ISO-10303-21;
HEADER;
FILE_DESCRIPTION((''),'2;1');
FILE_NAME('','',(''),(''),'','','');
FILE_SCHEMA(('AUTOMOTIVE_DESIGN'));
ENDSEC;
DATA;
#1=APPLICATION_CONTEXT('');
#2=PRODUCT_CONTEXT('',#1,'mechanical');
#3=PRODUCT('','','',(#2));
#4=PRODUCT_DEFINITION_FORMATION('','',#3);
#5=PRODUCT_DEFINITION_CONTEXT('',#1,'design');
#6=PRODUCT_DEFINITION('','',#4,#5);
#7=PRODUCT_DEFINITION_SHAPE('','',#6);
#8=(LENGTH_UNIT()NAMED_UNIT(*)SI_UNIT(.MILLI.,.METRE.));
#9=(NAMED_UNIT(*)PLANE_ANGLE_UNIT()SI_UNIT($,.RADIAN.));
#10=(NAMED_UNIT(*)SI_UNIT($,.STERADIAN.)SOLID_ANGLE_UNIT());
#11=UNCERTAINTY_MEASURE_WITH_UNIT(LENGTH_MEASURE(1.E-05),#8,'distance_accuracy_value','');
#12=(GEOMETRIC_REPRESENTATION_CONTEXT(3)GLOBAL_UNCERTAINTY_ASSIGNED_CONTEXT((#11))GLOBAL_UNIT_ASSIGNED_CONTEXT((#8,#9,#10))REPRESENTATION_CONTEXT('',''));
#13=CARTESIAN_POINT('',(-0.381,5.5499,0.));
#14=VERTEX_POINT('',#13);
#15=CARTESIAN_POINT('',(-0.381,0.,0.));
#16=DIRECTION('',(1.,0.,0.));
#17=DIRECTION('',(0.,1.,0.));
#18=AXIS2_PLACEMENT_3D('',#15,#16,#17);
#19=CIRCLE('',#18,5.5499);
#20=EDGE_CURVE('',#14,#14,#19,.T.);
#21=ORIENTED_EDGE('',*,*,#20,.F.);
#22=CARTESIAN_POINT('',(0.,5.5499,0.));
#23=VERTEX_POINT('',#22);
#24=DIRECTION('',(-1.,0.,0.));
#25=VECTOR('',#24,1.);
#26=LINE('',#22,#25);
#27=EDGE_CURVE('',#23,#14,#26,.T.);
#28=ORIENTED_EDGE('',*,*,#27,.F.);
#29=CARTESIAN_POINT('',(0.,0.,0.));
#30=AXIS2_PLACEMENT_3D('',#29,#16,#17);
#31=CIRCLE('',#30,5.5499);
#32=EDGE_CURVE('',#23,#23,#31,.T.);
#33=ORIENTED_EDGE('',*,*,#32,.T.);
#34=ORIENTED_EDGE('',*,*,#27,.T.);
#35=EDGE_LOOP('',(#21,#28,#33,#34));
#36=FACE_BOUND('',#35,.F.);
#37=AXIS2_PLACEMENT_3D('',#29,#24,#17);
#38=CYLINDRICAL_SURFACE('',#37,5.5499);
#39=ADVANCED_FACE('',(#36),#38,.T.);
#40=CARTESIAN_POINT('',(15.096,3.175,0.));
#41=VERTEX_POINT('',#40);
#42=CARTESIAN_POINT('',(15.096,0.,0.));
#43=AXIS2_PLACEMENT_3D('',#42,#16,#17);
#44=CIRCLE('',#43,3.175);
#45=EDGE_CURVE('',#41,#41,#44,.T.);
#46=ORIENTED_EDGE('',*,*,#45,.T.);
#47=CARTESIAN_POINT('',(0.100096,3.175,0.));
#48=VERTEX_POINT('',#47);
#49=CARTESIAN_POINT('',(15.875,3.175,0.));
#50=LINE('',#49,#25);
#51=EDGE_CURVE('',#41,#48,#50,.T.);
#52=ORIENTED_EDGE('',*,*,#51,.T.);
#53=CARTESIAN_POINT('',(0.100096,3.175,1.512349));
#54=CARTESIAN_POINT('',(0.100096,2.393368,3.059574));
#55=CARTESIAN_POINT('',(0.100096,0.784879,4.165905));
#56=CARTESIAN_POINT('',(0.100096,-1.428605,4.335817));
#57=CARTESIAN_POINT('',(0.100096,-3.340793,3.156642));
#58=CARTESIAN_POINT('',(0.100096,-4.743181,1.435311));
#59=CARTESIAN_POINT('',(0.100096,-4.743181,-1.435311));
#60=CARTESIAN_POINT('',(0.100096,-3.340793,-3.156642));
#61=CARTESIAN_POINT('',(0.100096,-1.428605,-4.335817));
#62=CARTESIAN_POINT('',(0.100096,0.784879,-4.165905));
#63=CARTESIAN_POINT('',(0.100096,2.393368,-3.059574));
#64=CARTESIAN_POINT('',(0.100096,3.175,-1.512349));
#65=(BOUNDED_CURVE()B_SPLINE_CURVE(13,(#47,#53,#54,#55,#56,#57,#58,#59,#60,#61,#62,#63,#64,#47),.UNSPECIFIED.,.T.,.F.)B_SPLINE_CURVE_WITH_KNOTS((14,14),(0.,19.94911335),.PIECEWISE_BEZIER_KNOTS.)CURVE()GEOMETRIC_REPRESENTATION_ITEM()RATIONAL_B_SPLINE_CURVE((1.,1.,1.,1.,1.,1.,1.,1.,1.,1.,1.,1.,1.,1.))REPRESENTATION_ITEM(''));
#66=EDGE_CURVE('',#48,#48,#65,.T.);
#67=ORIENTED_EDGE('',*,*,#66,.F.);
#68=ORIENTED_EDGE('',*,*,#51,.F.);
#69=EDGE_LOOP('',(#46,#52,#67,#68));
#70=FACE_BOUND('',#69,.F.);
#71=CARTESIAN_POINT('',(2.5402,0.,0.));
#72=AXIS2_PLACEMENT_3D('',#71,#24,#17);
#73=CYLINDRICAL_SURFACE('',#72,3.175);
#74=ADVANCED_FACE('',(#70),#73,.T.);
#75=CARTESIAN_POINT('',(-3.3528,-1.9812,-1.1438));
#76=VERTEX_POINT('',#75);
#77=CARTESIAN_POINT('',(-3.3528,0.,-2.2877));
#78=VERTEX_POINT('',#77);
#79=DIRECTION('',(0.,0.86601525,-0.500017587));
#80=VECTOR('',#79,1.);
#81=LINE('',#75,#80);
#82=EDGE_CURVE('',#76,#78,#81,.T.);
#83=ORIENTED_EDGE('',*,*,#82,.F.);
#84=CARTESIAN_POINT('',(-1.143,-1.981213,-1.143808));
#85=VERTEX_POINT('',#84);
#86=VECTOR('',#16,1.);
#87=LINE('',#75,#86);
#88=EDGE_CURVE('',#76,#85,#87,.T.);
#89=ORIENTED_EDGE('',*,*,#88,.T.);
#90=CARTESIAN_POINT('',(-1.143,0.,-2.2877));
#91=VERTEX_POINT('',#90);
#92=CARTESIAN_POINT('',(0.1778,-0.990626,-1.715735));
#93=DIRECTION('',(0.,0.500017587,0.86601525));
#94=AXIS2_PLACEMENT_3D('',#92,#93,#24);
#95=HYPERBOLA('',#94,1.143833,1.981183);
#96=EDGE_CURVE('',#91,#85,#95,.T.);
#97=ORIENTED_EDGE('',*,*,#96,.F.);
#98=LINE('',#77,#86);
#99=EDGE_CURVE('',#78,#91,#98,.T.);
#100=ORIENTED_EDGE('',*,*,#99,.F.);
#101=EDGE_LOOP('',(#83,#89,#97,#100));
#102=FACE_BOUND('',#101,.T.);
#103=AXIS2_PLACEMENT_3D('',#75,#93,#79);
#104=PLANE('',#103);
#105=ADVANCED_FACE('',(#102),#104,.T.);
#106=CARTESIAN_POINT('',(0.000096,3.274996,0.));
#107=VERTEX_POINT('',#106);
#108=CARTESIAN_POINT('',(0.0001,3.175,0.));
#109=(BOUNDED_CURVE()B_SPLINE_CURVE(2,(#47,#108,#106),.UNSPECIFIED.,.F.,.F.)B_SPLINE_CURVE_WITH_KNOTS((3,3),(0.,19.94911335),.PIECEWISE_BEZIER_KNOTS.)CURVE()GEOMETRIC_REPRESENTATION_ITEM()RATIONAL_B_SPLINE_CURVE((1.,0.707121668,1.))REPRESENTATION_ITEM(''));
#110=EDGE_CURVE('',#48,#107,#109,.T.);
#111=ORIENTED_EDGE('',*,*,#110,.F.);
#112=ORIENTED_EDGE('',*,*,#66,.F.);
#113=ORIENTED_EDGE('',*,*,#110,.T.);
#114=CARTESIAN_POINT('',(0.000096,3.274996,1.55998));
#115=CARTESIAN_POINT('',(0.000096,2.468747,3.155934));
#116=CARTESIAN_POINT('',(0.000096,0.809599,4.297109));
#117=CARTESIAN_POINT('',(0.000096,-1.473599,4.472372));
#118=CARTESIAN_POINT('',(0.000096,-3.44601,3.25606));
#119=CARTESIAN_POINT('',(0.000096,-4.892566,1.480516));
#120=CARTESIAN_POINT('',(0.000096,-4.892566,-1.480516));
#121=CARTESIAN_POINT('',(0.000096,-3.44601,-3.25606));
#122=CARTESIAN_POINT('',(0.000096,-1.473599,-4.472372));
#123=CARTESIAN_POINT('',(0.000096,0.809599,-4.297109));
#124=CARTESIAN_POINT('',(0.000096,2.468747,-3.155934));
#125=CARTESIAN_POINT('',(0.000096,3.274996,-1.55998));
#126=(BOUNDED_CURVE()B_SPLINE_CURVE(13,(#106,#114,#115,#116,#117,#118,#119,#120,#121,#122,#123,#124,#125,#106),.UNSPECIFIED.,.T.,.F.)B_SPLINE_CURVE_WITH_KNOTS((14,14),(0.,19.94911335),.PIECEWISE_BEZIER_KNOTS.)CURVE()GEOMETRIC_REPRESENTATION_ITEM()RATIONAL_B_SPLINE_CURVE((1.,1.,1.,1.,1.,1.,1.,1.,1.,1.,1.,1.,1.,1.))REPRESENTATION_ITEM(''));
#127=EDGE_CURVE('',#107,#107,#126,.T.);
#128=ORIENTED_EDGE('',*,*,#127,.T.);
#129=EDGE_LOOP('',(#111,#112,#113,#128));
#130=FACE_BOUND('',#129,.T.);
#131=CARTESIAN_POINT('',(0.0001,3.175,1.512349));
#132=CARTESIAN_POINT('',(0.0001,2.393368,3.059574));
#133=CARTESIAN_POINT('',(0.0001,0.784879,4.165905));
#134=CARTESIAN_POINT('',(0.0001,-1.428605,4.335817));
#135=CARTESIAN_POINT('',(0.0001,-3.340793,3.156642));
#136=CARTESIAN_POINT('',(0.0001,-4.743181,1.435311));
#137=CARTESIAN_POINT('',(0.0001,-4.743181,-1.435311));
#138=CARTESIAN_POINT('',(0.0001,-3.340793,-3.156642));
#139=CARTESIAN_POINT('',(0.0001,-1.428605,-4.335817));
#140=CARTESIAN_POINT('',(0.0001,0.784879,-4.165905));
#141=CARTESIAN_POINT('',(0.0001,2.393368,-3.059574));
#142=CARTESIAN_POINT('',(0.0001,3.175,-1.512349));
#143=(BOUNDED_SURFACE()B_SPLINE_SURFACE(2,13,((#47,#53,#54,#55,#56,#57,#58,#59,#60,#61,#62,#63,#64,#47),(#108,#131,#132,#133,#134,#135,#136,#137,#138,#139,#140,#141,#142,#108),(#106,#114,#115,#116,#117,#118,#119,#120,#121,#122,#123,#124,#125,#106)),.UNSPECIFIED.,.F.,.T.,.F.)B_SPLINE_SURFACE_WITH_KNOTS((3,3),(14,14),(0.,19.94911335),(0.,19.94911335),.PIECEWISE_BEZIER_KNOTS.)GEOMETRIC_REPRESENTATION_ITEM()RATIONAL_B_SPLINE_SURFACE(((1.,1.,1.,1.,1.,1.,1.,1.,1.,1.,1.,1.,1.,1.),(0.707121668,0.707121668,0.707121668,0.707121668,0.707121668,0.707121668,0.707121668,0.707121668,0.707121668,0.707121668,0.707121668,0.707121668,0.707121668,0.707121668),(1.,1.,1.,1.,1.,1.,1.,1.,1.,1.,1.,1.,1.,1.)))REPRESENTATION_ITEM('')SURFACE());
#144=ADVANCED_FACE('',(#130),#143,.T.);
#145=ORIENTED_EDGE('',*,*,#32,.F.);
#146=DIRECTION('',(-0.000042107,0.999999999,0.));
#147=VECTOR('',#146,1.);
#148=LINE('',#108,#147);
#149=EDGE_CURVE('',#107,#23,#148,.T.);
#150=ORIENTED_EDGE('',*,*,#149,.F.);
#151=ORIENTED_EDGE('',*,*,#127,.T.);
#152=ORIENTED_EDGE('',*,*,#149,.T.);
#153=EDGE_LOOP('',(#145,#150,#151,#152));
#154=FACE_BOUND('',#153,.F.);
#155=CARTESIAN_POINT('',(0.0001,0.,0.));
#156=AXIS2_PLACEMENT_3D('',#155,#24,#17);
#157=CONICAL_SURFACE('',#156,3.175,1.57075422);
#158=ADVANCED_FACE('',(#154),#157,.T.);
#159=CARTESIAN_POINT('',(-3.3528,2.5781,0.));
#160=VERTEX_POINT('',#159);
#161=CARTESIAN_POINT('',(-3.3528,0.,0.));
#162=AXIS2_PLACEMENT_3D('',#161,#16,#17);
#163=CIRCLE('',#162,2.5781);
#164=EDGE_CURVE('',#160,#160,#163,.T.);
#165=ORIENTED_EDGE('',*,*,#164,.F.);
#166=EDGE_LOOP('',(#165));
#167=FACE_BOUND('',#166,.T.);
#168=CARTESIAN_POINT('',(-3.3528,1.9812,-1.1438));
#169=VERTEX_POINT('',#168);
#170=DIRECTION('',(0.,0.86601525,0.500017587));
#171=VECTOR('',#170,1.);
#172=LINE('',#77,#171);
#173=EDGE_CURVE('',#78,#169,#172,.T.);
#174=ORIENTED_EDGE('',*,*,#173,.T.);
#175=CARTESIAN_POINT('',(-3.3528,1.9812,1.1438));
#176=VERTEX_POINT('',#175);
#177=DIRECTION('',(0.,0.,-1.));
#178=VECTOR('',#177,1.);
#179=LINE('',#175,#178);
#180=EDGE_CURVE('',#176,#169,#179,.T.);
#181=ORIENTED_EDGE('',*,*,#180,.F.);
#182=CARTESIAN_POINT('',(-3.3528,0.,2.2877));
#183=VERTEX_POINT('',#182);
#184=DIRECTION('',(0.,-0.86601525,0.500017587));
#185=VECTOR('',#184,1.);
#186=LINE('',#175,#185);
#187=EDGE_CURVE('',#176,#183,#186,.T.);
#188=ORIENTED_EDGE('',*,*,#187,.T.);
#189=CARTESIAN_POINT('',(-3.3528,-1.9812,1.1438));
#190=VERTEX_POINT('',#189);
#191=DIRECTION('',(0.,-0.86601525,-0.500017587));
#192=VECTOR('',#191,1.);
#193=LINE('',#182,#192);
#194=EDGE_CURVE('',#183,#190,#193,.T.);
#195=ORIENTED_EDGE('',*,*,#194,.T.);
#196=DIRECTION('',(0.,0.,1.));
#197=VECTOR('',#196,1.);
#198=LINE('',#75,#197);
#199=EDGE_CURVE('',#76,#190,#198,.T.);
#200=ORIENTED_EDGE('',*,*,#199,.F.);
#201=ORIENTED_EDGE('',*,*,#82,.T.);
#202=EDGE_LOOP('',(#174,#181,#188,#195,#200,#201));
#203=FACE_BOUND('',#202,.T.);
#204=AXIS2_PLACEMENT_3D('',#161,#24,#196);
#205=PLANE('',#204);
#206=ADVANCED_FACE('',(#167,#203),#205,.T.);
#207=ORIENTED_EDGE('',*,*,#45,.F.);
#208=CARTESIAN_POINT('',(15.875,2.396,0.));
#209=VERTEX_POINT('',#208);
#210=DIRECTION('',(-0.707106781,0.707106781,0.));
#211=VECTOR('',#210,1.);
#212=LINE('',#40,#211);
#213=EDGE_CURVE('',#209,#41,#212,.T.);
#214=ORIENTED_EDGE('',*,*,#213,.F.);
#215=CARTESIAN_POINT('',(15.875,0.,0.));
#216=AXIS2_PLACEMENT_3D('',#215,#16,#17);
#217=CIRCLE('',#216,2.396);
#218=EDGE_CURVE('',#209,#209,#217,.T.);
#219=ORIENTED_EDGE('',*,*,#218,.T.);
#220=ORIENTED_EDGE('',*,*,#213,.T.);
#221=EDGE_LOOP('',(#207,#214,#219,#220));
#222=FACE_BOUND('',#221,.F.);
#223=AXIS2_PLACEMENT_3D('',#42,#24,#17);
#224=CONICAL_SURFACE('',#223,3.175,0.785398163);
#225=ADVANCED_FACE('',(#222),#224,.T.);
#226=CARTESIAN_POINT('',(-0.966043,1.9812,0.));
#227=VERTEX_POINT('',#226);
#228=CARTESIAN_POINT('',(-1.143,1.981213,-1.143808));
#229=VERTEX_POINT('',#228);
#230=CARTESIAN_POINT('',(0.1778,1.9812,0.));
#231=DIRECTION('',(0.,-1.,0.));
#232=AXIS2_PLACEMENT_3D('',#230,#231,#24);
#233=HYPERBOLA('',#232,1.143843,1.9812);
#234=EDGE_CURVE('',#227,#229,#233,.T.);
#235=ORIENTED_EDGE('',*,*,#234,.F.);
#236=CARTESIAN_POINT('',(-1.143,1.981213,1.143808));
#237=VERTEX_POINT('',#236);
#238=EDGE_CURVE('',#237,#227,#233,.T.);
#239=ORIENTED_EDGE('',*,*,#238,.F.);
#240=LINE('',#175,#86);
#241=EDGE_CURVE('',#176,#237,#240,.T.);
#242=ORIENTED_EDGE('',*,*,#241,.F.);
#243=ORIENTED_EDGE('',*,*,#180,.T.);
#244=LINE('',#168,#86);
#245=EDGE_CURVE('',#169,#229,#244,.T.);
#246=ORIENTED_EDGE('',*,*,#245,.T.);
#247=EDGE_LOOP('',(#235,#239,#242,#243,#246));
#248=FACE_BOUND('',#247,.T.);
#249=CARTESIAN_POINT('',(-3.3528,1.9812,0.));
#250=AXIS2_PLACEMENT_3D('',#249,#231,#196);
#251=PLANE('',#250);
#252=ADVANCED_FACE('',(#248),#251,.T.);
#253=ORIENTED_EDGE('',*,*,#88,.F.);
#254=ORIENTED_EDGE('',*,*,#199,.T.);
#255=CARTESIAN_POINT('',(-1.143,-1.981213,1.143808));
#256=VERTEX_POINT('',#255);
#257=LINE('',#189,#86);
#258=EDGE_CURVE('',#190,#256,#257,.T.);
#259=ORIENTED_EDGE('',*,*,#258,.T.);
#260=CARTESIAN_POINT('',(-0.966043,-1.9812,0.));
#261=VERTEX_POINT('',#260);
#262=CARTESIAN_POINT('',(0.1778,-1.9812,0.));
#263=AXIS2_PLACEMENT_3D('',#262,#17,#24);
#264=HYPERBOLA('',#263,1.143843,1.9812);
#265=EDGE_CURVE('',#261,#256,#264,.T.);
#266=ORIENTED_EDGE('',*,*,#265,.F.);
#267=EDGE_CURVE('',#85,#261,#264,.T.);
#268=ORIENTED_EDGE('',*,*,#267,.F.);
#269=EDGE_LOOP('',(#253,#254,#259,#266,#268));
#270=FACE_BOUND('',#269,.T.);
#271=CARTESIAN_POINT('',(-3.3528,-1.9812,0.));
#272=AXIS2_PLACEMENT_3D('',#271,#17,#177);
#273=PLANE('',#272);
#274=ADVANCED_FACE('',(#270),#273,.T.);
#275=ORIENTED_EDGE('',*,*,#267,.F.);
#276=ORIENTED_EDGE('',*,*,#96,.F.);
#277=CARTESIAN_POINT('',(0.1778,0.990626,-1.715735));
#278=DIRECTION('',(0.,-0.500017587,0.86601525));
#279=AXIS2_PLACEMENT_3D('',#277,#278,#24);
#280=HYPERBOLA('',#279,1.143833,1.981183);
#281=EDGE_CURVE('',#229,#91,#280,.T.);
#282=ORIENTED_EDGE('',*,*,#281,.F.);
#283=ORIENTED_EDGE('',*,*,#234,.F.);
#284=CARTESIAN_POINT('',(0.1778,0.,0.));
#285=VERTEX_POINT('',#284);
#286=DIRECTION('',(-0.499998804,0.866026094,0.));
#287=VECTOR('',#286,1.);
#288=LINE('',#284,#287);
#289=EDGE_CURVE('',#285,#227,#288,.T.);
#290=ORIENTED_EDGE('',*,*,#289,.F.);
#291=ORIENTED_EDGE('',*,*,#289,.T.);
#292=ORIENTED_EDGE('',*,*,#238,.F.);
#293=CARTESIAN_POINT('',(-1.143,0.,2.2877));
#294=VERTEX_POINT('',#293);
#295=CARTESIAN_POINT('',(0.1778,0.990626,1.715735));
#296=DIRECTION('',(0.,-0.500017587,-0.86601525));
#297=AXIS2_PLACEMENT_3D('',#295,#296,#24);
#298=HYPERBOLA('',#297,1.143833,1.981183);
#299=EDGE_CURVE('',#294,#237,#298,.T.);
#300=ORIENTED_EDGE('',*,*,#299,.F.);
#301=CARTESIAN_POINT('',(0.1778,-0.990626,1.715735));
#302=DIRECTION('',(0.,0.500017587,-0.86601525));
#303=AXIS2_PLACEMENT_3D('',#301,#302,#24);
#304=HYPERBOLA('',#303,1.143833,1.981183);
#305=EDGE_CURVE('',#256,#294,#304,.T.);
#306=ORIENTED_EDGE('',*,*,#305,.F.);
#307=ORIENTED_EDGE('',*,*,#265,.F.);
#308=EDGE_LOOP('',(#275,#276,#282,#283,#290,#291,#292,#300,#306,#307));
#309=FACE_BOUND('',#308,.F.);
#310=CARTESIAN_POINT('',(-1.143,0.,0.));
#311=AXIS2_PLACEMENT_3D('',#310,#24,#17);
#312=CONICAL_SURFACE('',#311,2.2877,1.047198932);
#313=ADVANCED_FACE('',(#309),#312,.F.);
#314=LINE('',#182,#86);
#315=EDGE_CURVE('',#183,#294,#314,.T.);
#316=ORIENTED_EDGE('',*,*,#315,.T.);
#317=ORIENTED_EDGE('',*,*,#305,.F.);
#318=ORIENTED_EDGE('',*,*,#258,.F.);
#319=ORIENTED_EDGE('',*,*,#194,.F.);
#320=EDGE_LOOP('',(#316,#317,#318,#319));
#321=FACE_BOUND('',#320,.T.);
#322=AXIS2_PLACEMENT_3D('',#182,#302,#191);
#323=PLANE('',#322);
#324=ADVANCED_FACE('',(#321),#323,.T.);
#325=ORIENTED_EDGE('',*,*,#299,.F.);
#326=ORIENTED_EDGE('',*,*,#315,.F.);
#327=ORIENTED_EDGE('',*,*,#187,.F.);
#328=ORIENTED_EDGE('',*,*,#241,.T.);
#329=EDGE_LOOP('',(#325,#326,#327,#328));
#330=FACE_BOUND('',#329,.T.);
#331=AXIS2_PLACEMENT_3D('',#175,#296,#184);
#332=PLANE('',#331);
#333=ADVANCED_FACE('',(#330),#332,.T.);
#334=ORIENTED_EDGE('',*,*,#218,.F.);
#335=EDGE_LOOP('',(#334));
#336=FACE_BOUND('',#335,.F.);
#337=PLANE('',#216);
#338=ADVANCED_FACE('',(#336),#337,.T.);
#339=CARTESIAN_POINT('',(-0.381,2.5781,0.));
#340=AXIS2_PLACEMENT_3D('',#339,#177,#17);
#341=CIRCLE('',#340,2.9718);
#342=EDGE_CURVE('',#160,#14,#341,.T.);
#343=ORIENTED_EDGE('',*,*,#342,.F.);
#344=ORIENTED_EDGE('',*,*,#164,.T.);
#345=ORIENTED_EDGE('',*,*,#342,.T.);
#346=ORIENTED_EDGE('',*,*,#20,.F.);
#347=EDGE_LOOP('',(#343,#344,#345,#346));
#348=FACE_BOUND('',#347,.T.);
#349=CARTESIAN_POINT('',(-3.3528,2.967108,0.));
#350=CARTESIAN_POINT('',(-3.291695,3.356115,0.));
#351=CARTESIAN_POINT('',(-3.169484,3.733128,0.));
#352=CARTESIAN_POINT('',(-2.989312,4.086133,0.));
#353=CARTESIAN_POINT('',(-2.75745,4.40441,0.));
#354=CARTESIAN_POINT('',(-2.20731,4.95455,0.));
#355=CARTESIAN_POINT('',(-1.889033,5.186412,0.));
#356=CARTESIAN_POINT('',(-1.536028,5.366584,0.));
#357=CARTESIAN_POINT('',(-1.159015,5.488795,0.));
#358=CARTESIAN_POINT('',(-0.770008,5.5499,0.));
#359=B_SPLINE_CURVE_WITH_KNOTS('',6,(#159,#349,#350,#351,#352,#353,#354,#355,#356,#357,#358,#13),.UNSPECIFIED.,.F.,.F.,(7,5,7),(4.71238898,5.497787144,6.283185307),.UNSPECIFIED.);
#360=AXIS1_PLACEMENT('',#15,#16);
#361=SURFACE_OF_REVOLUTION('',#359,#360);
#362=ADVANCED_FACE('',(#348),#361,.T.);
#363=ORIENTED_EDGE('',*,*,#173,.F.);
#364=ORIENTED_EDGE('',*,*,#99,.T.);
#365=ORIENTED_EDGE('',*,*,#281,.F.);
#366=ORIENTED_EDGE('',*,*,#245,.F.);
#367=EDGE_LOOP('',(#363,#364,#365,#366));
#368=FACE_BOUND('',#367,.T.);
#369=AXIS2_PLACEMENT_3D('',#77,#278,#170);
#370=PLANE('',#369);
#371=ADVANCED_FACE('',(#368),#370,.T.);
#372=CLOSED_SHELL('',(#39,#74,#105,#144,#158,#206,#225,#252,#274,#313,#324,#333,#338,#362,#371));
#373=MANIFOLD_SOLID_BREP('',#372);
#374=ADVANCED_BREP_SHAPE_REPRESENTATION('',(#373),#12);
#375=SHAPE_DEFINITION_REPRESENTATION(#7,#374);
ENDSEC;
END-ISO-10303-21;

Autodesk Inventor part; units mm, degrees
ref_plane "YZ Plane" through (0, 0, 0) normal (1, 0, 0) x (0, 1, 0)
ref_plane "XZ Plane" through (0, 0, 0) normal (0, 1, 0) x (-1, 0, 0)
sketch "Sketch1" plane through (0, 0, 0) normal (0, 0, 1) x (1, 0, 0)
  line L0 (0.1778, 0) -> (15.875, 0)
  line L1 (15.875, 0) -> (15.875, 3.175)
  line L2 (15.875, 3.175) -> (2.5402, 3.175)
  line L3 (2.5402, 3.175) -> (0.0001, 3.175)
  line L4 (0.0001, 3.175) -> (0, 3.175)
  line L5 (0, 3.175) -> (0, 5.5499)
  line L6 (0, 5.5499) -> (-3.3528, 5.5499)
  line L7 (-3.3528, 5.5499) -> (-3.3528, 2.2877)
  line L8 (-3.3528, 2.2877) -> (-1.143, 2.2877)
  line L9 (-1.143, 2.2877) -> (0.1778, 0)
  line L10 (-7.1984, 0) -> (19.7206, 0) projected
  line L11 (0, -1.11) -> (0, 6.6599) projected
  line L12 (2.5402, 3.175) -> (0, 3.175) construction
  dimension "d1" = 13.3348
  dimension "d2" = 2.5401
  dimension "d3" = 3.3528
  dimension "d4" = 2.2098
  dimension "d5" = 60
  dimension "d6" = 6.35
  dimension "d7" = 6.35
  dimension "d8" = 4.5754
  dimension "d9" = 11.0998
  dimension "d26" = 15.875
revolve "Body" add sketch "Sketch1" angle 360 about axis through (0.1778, 0, 0) along (1, 0, 0) contours L9 L11 L3 L2 L1 L0 | L9 L8 L7 L6 L5 L11
sketch "Sketch2" plane through (-3.3528, 0, 0) normal (-1, 0, 0) x (0, 0, 1)
  circle A0 centre (0, 0) radius 2.2877 projected
  line L0 (0, -7.7699) -> (0, 7.7699) projected
  line L1 (-7.7699, 0) -> (7.7699, 0) projected
  line L2 (2.2877, 0) -> (1.1438, -1.9812)
  line L3 (1.1438, -1.9812) -> (-1.1438, -1.9812)
  line L4 (-1.1438, -1.9812) -> (-2.2877, 0)
  line L5 (-2.2877, 0) -> (-1.1438, 1.9812)
  line L6 (-1.1438, 1.9812) -> (1.1438, 1.9812)
  line L7 (1.1438, 1.9812) -> (2.2877, 0)
  point P0 (0, 0)
extrude "Slot" add sketch "Sketch2" against normal up to next contours L7 A0 | A0 L2 | L6 L0 A0 | A0 L0 L3 | L0 L6 A0 | A0 L3 L0 | L4 A0 | A0 L5
fillet "Fillet1" radius 2.9718 1 edges at (-3.3528, -5.5499, 0)
thread "Thread" size "1/4-20 UNC" class "2A" standard "ANSI Unified Screw Threads" length 13.3348
chamfer "Chamfer1" distance 0.779 distance2 0.779 1 edges at (15.875, -3.175, 0) measured on face at (15.875, 0.0983, -0.8099)
ref_plane "Work Plane1" through (29, 0, 0) normal (0, -1, 0) x (1, 0, 0)
fillet "Fillet2" radius 0.1 1 edges at (0.0001, -3.175, 0)
equation "\"d1\" = GEL"
equation "\"d3\" = KOH"
equation "\"d4\" = INTI"
equation "\"d6\" = GD"
equation "\"d7\" = BDM"
equation "\"d8\" = 1.1547 * SW"
equation "\"d9\" = KOD"
equation "\"d26\" = NLG"
equation "\"d30\" = R"
equation "\"d17\" = RR"
equation "\"d13\" = GEL"
equation "\"d15\" = -0.5 * SPD + 0.5 * GD"
equation "\"d16\" = GUL"
equation "\"GD\" = NND"
equation "\"NLG\" = 15.875"
equation "\"GEL\" = 13.3348"
equation "\"KOD\" = 11.0998"
equation "\"KOH\" = 3.3528"
equation "\"INTI\" = 2.2098"
equation "\"GAL\" = 2.54"
equation "\"GUL\" = 0.77902"
equation "\"BDM\" = NND"
equation "\"SW\" = 3.9624"
equation "\"RR\" = 2.9718"
equation "\"SPD\" = 4.79196"
equation "\"R\" = 0.1"
equation "\"TOA\" = 30deg"
equation "\"GD1\" = SPD"
equation "\"THREADDIA\" = 6.35"
equation "\"KOH1\" = 0.7874"
equation "\"NND\" = 6.35"
equation "\"E0\" = 4.57657"
properties part number "ANSI B18.3 - 1/4 - 20 x 5/8" material "Steel, Mild"
